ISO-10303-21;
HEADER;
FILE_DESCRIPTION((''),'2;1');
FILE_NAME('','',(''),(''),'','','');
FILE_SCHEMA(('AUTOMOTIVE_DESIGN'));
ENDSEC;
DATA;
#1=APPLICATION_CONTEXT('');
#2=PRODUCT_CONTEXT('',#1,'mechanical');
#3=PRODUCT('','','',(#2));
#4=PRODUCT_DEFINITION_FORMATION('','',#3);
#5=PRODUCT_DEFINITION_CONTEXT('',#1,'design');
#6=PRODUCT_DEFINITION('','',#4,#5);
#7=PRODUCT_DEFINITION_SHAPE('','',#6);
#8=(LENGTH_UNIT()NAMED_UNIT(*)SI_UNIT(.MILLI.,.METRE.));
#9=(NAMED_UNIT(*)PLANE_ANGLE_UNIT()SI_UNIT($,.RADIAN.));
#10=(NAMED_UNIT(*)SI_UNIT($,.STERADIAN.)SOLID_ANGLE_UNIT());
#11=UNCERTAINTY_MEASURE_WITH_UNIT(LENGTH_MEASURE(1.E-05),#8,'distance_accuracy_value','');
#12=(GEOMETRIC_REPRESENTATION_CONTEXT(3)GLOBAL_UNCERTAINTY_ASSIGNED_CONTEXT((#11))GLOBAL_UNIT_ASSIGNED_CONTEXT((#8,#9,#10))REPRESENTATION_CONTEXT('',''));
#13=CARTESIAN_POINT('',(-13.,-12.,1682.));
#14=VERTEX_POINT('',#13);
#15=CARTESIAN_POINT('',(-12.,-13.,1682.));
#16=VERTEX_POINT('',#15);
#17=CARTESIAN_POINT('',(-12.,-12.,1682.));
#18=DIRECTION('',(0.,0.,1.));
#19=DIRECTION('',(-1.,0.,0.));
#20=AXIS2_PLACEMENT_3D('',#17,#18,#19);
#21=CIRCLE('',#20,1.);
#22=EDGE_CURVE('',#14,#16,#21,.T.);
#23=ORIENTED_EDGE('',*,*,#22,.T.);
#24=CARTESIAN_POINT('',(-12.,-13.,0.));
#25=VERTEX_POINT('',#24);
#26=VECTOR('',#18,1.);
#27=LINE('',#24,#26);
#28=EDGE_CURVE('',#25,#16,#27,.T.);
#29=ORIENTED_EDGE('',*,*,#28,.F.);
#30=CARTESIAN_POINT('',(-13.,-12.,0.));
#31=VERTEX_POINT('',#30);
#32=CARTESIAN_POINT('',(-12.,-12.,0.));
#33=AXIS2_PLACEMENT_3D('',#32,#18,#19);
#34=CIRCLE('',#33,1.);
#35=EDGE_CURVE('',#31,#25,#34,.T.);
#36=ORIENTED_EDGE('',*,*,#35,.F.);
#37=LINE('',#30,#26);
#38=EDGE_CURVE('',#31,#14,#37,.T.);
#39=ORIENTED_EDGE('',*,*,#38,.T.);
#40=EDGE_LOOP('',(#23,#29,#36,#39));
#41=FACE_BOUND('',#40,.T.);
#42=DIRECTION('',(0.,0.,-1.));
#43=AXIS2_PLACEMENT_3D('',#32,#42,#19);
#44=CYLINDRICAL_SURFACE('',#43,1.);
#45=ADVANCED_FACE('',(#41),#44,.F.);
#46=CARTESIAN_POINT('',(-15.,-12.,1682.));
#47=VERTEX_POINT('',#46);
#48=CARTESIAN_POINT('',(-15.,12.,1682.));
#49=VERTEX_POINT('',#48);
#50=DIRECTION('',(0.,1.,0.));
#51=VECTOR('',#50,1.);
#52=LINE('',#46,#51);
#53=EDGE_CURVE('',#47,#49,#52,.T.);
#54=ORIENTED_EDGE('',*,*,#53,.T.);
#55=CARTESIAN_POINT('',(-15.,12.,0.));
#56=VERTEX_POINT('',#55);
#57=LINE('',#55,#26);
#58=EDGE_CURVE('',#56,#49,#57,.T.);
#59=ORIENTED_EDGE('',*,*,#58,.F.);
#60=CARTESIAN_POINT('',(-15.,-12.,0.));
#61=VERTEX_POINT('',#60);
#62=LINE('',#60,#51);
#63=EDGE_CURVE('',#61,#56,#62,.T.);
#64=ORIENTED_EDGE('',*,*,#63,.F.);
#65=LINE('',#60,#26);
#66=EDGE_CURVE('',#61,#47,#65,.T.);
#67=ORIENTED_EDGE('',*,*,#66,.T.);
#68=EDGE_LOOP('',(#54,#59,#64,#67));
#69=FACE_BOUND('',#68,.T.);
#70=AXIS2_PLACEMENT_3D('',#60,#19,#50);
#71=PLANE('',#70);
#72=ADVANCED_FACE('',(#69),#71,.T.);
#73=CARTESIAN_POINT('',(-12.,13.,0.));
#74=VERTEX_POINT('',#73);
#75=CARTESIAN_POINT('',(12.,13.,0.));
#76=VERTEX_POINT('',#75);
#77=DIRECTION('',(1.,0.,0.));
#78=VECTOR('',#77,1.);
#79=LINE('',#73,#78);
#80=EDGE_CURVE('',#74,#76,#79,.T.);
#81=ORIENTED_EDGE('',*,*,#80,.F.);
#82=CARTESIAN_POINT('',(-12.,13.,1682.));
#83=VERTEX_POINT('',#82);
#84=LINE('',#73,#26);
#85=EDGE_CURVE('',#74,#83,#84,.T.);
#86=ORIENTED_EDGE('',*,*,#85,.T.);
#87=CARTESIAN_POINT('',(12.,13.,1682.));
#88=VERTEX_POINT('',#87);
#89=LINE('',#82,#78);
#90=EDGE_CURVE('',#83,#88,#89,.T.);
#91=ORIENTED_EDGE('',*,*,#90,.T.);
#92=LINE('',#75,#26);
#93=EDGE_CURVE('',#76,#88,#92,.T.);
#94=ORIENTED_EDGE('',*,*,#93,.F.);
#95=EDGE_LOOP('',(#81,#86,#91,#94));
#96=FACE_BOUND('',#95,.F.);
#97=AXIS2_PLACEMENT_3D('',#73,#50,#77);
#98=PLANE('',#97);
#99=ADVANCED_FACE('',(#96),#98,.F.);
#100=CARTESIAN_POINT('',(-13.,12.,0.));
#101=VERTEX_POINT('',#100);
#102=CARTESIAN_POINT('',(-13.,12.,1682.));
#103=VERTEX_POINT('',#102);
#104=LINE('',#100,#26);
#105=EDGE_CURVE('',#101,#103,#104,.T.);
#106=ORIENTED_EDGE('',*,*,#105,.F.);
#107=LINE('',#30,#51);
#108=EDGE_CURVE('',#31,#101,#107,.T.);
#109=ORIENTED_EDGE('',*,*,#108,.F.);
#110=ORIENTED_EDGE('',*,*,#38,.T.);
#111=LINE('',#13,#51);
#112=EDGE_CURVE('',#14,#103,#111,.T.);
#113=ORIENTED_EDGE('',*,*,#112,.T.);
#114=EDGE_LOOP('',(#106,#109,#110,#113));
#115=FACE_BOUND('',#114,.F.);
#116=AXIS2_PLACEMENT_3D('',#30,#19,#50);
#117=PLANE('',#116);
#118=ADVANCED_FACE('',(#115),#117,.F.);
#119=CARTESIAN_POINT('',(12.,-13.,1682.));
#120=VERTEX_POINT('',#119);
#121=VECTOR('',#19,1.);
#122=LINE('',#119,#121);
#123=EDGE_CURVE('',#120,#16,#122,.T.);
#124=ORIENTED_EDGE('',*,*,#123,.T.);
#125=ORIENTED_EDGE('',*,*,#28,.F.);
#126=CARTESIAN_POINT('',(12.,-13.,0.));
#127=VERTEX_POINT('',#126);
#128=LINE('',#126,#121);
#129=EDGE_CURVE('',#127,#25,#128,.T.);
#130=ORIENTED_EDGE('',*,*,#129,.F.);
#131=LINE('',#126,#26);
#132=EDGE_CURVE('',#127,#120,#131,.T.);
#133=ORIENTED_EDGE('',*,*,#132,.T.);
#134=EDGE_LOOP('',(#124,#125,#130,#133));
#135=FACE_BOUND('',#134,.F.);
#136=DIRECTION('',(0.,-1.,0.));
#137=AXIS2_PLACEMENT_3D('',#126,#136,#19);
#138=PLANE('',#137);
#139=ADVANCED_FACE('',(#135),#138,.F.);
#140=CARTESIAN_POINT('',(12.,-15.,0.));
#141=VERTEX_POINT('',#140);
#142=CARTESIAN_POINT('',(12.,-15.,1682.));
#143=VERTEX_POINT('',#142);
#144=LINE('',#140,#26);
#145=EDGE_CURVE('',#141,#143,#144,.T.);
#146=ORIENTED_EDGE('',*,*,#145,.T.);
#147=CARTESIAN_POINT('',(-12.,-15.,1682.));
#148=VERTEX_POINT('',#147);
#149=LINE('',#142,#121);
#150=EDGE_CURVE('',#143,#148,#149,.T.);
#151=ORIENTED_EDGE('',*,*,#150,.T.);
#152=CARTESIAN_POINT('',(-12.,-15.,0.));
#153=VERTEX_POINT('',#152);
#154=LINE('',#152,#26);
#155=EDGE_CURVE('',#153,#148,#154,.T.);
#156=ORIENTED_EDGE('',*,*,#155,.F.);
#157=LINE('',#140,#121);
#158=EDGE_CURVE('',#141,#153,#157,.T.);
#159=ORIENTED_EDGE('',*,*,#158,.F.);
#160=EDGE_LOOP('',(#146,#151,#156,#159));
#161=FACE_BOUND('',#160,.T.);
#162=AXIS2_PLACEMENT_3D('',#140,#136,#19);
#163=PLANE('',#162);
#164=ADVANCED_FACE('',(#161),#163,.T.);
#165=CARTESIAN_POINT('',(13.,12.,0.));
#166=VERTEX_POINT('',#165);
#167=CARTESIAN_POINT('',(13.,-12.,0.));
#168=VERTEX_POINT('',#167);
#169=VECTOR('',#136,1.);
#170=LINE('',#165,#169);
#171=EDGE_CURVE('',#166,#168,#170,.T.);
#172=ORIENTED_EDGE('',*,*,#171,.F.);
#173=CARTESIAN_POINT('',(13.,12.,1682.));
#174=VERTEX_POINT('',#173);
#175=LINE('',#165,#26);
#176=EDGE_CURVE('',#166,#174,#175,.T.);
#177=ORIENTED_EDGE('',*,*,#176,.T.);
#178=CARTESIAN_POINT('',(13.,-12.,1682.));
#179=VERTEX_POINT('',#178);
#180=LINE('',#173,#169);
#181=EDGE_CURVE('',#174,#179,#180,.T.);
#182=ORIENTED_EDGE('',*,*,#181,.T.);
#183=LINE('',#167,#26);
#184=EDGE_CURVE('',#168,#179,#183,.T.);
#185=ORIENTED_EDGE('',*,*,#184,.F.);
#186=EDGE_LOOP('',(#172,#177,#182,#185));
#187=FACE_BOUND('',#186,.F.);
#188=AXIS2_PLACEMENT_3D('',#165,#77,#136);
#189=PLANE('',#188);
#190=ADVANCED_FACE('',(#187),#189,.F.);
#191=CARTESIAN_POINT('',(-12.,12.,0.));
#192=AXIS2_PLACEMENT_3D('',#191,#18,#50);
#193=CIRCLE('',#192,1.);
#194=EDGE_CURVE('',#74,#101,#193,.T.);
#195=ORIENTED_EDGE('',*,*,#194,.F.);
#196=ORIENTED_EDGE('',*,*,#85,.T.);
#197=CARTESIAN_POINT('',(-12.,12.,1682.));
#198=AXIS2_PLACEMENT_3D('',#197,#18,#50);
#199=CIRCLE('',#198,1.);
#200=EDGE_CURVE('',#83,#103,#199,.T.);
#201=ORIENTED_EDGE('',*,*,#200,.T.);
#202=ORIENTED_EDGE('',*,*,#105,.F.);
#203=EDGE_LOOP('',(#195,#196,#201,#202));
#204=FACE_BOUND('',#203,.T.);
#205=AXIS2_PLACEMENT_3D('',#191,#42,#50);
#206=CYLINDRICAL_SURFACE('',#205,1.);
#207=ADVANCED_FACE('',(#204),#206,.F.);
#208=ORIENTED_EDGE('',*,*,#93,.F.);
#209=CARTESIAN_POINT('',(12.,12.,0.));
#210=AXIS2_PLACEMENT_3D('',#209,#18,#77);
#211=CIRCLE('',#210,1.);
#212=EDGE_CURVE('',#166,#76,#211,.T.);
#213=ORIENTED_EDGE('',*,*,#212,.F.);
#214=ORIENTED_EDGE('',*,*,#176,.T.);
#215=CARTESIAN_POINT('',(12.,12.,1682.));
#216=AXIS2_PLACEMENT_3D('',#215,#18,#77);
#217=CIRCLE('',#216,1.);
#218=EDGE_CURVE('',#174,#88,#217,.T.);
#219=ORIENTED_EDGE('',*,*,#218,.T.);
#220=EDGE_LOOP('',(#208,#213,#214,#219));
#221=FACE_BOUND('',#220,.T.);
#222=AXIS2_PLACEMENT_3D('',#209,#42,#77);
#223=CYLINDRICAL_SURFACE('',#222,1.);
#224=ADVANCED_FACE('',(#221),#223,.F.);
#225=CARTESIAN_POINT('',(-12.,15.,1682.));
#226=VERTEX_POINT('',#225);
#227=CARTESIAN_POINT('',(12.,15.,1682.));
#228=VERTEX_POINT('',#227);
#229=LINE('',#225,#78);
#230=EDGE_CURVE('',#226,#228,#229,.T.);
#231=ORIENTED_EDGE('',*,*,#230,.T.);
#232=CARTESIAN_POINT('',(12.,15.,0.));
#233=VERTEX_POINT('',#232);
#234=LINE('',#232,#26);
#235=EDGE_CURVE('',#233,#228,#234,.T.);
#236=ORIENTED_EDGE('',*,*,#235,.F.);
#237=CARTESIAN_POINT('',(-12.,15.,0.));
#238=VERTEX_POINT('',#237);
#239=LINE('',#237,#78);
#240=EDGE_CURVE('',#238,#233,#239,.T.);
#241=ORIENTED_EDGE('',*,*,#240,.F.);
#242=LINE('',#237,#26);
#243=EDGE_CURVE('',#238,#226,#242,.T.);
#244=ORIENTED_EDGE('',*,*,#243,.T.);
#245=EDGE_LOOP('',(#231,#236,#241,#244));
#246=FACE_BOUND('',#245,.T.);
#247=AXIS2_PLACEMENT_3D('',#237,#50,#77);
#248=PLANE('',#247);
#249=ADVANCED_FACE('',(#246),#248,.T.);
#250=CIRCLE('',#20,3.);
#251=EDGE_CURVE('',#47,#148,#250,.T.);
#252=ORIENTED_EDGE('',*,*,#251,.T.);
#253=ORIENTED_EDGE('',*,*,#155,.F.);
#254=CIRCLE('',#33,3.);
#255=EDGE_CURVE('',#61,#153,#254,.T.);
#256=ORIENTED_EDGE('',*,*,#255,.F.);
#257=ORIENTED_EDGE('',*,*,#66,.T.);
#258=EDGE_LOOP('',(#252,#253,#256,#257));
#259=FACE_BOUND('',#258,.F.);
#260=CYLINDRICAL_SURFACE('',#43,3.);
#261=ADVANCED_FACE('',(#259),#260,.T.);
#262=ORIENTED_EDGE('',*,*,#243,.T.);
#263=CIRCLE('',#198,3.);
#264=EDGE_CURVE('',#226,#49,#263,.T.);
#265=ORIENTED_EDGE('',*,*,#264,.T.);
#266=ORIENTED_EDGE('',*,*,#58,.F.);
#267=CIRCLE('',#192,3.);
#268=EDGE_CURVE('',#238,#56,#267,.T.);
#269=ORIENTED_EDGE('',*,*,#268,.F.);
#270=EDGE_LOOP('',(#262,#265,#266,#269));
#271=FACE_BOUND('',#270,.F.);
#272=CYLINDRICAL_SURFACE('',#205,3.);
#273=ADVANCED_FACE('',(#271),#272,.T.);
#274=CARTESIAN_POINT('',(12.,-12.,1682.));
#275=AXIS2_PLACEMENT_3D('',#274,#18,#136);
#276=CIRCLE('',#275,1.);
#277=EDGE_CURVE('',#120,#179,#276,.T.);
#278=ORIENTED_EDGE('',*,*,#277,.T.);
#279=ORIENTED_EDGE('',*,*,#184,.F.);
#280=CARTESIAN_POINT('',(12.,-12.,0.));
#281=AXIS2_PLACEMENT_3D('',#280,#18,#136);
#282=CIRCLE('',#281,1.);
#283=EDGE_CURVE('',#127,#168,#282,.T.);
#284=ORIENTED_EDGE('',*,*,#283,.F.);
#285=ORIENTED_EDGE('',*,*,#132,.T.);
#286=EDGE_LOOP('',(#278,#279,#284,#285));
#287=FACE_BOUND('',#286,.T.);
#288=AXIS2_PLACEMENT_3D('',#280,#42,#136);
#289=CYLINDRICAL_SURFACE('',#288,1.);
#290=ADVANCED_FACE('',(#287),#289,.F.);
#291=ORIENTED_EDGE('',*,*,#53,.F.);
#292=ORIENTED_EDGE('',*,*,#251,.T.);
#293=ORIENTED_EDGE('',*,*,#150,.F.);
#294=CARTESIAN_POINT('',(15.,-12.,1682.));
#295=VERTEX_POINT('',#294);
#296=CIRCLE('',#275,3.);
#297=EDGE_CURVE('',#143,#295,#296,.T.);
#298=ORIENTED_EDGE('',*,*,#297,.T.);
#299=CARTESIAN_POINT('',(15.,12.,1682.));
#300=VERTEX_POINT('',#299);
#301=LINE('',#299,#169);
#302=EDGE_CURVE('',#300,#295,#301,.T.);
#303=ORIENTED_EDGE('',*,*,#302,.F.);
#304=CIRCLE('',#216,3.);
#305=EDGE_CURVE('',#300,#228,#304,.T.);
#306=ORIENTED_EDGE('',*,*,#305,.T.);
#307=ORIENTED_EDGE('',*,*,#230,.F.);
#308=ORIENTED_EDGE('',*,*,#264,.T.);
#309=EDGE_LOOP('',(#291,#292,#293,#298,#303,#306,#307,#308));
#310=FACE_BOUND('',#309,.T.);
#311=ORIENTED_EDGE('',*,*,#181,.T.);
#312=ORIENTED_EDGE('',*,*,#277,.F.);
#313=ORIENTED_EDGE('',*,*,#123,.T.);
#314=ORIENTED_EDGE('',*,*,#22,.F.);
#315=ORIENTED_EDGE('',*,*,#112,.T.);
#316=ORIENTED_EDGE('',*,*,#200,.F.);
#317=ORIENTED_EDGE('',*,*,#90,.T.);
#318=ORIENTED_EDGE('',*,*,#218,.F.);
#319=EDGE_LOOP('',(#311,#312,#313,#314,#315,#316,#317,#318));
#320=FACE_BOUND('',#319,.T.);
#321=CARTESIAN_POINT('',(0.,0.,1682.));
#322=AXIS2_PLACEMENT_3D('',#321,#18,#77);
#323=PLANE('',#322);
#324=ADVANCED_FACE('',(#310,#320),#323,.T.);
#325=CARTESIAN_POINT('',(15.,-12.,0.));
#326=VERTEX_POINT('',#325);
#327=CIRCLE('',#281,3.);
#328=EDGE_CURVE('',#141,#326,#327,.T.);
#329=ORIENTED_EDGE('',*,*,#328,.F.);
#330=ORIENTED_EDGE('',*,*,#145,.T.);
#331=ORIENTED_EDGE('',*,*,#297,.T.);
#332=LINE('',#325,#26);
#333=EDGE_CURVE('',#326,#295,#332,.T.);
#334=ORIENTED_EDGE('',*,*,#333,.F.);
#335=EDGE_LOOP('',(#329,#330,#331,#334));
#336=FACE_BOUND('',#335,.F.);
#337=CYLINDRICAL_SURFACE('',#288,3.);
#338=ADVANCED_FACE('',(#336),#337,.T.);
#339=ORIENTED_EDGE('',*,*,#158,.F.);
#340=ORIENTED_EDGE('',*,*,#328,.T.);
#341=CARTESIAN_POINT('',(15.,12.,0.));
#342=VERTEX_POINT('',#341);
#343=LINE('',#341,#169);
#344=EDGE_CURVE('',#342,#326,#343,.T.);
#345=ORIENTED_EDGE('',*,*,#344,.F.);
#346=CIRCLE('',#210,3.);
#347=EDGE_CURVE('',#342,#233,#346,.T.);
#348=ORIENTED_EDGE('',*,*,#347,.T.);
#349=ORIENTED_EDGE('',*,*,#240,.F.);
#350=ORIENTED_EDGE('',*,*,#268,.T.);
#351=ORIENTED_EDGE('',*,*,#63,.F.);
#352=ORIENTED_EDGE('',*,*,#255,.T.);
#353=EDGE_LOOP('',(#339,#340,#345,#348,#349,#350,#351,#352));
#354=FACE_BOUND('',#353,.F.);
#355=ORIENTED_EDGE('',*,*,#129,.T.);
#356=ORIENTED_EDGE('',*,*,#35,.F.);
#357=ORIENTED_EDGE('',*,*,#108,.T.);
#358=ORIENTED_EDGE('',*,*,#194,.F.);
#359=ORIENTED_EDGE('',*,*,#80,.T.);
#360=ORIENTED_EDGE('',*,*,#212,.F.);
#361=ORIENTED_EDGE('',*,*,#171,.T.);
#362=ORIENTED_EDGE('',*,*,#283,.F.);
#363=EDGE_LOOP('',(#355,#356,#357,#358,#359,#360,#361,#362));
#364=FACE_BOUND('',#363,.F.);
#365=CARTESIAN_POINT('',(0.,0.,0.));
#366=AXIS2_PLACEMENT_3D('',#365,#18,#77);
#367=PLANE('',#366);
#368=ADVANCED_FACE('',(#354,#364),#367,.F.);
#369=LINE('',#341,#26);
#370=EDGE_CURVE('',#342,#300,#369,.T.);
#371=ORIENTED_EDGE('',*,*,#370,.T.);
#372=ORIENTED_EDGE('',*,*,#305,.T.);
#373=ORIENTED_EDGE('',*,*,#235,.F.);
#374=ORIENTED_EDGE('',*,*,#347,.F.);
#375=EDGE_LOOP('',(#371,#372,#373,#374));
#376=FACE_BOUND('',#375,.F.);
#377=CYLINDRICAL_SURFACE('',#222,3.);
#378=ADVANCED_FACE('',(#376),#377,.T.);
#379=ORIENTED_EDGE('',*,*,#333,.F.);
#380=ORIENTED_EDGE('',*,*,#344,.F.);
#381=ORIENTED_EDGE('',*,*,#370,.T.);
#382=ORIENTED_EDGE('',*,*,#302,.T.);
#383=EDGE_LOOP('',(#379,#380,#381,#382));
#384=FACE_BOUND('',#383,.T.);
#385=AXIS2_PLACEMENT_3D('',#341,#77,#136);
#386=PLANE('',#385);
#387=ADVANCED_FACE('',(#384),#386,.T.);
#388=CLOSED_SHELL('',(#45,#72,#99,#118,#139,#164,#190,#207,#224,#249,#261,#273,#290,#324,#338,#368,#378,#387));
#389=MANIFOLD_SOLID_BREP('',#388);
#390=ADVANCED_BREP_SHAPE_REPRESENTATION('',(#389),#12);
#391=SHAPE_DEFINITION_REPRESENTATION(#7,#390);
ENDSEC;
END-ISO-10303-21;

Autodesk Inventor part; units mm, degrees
ref_plane "YZ Plane" through (0, 0, 0) normal (1, 0, 0) x (0, 1, 0)
ref_plane "Start plane" through (0, 0, 0) normal (0, 0, 1) x (1, 0, 0)
ref_plane "End plane" through (0, 0, 1682) normal (0, 0, 1) x (1, 0, 0)
sketch "Sketch" plane through (0, 0, 0) normal (0, 0, 1) x (1, 0, 0)
  line L0 (-15, -12) -> (-15, 12)
  line L1 (-12, 15) -> (12, 15)
  line L2 (15, 12) -> (15, -12)
  line L3 (12, -15) -> (-12, -15)
  arc A0 (-15, -12) -> (-12, -15) centre (-12, -12) ccw
  arc A1 (-12, 15) -> (-15, 12) centre (-12, 12) ccw
  arc A2 (15, 12) -> (12, 15) centre (12, 12) ccw
  arc A3 (12, -15) -> (15, -12) centre (12, -12) ccw
  arc A4 (-12, 13) -> (-13, 12) centre (-12, 12) ccw
  line L4 (-12, 13) -> (12, 13)
  arc A5 (13, 12) -> (12, 13) centre (12, 12) ccw
  line L5 (13, 12) -> (13, -12)
  arc A6 (12, -13) -> (13, -12) centre (12, -12) ccw
  line L6 (12, -13) -> (-12, -13)
  arc A7 (-13, -12) -> (-12, -13) centre (-12, -12) ccw
  line L7 (-13, -12) -> (-13, 12)
  line L8 (0, 21.8698) -> (0, -21.8698) construction
  line L9 (-21.8698, 0) -> (21.8698, 0) construction
  dimension "d7" = 3
  dimension "d10" = 30
  dimension "d11" = 30
  dimension "d12" = 2
  dimension "d15" = 15
  dimension "d16" = 15
extrude "Body" add sketch "Sketch" along normal up to surface (1682 mm away) from surface at 0
sketch "Sketch3" plane through (0, 0, 0) normal (0, 0, 1) x (1, 0, 0)
  line L0 (0, 0) -> (10, 0)
ref_plane "Work Plane3" through (0, 0, 0) normal (0, -1, 0) x (1, 0, 0)
sketch "Sketch4" plane through (0, 0, 0) normal (0, -1, 0) x (1, 0, 0)
  line L0 (-2, 0) -> (12, 0)
  line L1 (-2, 1682) -> (12, 1682)
  dimension "d18" = 1682
equation "\"d7\" = G_IR"
equation "\"d10\" = G_H"
equation "\"d11\" = G_W"
equation "\"d12\" = G_T"
equation "\"d15\" = 0.5 * d10"
equation "\"d16\" = 0.5 * d11"
equation "\"d3\" = G_L"
equation "\"G_W\" = 30"
equation "\"G_H\" = 30"
equation "\"G_T\" = 2"
equation "\"G_IR\" = 3"
equation "\"G_L\" = d18"
equation "\"G_OFFSET_START\" = 0"
equation "\"G_OFFSET_END\" = 0"
equation "\"d14\" = G_OFFSET_END + B_L"
equation "\"B_L\" = 1682"
properties part number "DIN EN 10305-5 - 30 x 30 x 2  - 1682" material "Steel, Mild, Welded"
